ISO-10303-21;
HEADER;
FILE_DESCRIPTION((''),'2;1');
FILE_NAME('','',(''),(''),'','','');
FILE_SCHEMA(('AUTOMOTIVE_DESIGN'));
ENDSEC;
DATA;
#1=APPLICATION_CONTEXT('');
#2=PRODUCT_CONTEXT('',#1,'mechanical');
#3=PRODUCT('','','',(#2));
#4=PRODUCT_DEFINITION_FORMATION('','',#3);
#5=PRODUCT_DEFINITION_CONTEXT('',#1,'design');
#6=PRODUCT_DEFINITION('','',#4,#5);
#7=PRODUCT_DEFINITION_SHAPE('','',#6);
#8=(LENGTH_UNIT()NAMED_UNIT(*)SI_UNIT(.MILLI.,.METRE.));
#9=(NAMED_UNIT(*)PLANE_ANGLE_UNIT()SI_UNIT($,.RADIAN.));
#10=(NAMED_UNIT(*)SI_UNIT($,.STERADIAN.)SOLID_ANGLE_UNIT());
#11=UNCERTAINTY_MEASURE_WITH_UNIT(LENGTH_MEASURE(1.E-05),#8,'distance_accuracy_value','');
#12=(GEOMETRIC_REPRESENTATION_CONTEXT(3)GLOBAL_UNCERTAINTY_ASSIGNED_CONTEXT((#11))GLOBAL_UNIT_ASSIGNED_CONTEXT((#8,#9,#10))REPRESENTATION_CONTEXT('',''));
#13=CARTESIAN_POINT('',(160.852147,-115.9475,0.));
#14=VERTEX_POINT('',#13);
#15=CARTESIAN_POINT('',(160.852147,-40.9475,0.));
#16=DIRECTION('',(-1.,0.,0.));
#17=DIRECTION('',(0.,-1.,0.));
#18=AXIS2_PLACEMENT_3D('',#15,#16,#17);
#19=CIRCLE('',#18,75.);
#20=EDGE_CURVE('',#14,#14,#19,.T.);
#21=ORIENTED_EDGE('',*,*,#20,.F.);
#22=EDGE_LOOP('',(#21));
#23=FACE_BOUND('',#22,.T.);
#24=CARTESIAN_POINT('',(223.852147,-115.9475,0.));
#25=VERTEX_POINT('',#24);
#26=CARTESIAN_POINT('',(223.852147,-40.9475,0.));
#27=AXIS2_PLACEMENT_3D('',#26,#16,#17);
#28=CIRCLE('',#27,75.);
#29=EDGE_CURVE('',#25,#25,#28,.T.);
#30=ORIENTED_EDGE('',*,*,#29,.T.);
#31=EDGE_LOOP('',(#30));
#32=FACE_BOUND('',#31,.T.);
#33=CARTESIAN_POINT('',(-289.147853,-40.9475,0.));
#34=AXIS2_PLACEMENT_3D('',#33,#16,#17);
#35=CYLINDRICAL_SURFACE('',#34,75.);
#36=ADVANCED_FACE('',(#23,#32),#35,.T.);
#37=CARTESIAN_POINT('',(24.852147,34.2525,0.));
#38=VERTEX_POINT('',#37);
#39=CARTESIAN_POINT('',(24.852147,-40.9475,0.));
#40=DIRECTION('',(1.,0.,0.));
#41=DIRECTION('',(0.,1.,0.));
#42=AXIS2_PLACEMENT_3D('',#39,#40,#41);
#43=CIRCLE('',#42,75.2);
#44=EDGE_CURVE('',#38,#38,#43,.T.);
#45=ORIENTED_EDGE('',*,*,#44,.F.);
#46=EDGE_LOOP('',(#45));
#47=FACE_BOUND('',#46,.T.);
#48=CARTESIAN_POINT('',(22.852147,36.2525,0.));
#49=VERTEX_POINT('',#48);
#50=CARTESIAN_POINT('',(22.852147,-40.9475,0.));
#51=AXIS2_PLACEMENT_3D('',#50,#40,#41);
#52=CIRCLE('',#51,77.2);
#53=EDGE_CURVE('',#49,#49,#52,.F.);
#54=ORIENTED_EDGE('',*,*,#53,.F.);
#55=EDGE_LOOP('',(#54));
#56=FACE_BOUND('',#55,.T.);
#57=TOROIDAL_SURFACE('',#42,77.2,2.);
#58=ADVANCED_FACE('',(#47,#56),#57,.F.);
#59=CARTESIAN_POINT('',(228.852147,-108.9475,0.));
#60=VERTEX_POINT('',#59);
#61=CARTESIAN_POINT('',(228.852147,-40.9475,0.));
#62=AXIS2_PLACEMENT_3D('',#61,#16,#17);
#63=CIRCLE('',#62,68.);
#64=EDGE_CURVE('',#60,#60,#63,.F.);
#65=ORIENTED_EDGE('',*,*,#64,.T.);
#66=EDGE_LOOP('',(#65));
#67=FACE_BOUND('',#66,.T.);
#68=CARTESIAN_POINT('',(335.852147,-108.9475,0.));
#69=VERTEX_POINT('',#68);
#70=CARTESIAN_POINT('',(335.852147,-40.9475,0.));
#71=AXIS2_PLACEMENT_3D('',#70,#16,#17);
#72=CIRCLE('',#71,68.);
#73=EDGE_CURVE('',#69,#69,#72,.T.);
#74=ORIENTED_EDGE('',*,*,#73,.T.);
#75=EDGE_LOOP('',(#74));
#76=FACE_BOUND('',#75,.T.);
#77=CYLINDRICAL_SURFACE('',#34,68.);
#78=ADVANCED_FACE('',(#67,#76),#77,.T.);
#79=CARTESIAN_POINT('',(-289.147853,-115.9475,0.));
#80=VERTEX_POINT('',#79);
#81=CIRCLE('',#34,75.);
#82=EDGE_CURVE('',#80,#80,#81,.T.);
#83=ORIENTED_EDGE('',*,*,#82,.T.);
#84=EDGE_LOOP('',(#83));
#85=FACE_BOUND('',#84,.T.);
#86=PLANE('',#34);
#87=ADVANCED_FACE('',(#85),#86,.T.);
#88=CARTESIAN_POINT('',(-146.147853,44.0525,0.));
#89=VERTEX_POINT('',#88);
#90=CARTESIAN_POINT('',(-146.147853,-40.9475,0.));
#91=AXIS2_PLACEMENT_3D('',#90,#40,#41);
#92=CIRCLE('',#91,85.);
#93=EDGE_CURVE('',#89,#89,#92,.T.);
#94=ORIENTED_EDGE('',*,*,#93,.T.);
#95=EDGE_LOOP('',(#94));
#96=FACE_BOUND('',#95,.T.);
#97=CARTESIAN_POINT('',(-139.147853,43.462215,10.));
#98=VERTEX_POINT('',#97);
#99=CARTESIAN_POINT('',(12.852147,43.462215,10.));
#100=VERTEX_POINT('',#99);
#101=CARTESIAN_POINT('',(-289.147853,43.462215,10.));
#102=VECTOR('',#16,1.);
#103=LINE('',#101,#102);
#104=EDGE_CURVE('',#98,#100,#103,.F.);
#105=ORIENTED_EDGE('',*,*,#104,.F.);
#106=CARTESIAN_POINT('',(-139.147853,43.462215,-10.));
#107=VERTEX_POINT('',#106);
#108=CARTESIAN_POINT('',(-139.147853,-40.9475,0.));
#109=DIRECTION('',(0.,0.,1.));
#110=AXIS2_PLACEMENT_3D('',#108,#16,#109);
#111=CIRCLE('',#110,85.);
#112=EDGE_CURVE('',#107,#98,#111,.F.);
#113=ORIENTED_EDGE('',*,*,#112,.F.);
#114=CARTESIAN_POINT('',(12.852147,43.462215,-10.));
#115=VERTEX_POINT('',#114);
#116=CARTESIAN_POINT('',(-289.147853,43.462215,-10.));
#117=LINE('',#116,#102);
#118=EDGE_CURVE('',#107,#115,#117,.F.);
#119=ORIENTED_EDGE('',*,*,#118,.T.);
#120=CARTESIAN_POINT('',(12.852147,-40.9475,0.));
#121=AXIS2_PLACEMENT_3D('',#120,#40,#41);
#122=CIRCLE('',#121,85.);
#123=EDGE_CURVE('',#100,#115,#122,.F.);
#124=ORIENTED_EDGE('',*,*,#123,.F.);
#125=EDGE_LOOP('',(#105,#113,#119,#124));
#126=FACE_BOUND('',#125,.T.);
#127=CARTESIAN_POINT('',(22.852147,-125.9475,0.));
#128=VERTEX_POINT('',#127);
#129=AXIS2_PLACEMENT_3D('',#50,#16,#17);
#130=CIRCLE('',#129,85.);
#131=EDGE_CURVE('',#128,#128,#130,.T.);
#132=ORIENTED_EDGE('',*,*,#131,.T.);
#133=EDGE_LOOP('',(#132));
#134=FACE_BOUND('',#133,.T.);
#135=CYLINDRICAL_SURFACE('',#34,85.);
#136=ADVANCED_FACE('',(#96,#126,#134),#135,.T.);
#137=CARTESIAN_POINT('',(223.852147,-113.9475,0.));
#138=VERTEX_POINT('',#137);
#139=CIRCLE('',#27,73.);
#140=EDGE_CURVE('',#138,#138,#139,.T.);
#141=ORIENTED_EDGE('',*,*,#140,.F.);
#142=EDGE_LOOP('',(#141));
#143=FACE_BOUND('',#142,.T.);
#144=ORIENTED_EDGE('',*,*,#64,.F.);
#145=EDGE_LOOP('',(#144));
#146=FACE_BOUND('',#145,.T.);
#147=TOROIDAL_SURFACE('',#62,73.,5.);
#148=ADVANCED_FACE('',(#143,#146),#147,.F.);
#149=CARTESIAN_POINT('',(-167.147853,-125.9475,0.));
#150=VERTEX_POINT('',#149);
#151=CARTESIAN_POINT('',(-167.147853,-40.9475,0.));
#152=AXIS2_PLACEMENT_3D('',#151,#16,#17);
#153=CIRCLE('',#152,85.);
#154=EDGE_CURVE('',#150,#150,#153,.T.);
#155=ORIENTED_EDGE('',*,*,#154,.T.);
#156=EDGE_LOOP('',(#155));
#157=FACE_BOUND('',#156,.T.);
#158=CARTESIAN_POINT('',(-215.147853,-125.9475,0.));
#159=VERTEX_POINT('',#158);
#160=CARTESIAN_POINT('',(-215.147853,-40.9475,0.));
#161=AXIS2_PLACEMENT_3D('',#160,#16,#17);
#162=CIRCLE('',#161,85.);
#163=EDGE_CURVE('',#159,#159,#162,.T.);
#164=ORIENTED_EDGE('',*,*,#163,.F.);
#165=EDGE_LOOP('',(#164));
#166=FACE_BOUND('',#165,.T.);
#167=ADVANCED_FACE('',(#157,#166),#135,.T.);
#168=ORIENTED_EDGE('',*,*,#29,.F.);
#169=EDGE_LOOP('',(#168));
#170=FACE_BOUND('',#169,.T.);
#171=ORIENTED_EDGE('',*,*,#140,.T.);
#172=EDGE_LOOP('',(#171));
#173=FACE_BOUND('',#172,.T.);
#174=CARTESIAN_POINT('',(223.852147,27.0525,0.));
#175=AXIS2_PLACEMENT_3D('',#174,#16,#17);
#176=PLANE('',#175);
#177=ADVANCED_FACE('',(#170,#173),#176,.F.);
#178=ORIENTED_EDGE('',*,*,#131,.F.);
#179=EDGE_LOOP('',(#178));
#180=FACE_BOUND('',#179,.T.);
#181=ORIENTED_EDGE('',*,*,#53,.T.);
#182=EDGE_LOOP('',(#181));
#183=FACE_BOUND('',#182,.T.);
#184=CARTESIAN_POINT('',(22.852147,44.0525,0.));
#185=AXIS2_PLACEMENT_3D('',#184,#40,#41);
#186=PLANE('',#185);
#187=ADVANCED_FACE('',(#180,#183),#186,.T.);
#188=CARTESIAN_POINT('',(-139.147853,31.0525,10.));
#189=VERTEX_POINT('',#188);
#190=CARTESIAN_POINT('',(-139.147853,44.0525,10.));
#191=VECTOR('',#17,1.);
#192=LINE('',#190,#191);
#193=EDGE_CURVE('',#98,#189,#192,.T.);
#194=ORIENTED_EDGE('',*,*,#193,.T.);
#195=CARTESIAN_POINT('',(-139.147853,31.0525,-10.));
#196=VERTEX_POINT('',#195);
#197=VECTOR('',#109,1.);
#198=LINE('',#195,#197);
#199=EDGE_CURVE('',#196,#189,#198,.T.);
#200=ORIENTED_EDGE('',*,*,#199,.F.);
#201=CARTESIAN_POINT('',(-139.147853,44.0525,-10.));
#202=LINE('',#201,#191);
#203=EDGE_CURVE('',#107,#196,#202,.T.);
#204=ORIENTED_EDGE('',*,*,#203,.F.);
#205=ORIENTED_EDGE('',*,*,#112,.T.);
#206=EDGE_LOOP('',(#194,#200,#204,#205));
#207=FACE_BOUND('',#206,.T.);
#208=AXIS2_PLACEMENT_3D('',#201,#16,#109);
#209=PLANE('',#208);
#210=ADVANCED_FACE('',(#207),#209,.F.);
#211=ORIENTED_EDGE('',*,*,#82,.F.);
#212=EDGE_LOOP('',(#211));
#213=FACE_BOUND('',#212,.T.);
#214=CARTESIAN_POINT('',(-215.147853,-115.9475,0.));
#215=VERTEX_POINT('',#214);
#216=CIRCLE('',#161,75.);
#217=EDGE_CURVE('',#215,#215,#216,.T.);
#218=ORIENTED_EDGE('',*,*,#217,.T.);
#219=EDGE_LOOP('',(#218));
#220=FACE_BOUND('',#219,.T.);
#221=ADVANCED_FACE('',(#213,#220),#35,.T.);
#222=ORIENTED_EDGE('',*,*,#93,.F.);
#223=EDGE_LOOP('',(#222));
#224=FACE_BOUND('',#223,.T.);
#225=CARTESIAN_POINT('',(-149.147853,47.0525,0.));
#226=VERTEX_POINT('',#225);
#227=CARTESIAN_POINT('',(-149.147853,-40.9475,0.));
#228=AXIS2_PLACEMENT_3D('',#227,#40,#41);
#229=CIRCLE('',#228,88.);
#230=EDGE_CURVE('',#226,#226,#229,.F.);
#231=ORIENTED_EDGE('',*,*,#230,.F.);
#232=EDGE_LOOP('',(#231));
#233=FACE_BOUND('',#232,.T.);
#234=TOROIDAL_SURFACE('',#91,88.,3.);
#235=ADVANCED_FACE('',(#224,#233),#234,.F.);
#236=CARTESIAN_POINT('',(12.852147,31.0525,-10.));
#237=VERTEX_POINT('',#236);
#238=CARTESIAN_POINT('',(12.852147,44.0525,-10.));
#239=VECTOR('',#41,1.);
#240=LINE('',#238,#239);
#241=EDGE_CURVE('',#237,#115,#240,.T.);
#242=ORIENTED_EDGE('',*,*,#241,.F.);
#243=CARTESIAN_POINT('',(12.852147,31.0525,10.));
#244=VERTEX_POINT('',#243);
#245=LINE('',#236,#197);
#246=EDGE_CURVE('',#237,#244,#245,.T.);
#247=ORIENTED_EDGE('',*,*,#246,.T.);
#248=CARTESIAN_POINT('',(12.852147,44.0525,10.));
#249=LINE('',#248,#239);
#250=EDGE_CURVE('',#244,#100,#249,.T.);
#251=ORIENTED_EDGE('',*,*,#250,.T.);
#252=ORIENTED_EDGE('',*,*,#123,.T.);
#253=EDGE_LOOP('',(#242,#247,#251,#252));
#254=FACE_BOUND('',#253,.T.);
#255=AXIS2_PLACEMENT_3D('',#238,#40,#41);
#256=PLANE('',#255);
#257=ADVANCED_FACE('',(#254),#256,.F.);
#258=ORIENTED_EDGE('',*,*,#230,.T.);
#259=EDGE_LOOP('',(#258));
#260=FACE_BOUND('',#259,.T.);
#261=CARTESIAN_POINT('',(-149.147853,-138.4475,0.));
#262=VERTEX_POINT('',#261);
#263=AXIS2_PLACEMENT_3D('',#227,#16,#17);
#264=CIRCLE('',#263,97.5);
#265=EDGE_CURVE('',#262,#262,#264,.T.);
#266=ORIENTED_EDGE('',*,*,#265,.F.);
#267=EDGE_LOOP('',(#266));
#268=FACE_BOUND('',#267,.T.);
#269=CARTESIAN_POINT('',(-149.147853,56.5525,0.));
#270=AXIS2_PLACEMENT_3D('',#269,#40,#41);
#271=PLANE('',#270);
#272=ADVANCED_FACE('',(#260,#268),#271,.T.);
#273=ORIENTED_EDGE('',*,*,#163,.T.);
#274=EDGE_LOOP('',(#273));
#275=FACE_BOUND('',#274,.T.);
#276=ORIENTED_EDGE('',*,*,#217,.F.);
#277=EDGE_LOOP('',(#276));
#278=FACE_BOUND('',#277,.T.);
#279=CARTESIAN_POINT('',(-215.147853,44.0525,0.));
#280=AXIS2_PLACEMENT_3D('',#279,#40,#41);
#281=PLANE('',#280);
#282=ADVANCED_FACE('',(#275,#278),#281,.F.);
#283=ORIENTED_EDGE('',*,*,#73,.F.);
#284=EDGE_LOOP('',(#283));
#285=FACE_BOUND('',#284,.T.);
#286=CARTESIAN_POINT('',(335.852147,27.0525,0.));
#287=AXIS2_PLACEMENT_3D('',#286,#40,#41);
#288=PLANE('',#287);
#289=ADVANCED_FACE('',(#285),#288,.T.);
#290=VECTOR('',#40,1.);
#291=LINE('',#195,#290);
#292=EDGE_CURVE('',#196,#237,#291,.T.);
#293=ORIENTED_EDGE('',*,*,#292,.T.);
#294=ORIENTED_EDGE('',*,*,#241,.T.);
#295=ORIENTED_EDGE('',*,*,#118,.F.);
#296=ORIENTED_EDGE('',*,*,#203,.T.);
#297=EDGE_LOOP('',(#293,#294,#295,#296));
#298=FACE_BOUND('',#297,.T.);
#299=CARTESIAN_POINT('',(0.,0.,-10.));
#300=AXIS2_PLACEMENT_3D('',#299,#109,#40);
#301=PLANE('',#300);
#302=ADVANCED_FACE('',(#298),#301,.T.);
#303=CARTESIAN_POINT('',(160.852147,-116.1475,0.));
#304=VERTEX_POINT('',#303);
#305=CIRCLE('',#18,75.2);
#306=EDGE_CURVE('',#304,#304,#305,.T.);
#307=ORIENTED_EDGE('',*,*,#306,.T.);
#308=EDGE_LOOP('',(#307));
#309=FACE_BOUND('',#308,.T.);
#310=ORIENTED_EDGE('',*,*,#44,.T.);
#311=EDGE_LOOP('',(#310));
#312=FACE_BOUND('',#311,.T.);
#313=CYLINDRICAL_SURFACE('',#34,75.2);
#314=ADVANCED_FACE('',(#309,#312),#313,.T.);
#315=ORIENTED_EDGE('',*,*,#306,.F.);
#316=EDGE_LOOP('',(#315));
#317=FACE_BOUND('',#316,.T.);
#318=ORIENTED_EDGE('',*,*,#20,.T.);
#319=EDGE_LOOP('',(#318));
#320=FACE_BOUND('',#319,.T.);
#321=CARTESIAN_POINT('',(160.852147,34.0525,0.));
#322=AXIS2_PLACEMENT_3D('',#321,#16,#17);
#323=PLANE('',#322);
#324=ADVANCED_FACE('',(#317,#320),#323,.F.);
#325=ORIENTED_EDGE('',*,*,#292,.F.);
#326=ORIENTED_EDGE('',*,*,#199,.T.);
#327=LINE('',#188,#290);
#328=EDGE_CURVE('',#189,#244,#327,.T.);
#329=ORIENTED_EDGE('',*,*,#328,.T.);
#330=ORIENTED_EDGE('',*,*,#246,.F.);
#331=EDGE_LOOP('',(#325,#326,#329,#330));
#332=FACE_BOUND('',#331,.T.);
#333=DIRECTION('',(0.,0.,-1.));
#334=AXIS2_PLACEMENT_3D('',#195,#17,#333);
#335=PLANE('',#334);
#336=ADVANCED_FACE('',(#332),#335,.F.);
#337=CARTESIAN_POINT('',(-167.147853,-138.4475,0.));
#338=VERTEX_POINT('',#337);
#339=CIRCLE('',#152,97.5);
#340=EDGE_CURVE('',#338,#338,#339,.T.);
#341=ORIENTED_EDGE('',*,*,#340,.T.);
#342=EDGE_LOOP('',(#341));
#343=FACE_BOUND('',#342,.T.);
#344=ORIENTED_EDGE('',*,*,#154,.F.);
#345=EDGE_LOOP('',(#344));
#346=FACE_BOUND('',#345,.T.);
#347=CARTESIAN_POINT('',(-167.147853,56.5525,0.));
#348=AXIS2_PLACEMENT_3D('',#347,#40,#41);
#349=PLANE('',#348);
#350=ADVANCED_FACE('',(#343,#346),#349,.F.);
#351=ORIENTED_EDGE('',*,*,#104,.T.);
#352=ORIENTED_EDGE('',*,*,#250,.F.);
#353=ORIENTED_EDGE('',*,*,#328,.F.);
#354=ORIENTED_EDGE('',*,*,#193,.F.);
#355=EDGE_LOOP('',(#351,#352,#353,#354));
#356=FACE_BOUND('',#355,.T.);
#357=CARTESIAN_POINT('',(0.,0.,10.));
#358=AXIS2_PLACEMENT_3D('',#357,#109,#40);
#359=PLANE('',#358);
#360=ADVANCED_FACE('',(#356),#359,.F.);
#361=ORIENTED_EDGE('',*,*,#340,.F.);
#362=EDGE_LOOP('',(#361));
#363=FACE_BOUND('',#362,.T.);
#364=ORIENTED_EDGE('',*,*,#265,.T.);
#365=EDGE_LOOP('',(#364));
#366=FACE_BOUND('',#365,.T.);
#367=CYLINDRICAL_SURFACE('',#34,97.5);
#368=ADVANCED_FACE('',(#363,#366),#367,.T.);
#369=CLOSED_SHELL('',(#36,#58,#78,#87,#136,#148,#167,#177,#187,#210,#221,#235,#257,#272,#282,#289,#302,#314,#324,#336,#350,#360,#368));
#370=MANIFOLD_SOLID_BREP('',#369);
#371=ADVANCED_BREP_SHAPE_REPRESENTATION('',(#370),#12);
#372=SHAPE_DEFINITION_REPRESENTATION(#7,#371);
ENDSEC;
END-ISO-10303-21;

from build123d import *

# Parameters (mm, degrees)
FILLET1_R          = 3
FILLET2_R          = 2
FILLET3_R          = 5
SKETCH2_W          = 152
SKETCH2_H          = 13
CUT_EXTRUDE2_DEPTH = 10


with BuildPart() as part:
    # Sketch1 → Revolve1 (revolve)
    with BuildSketch(Plane.XY, mode=Mode.PRIVATE) as revolve1_sk:
        Polygon((-289.147853111, -40.947499885), (335.852146889, -40.947499885), (335.852146889, 27.052500115), (223.852146889, 27.052500115), (223.852146889, 34.052500115), (160.852146889, 34.052500115), (160.852146889, 34.252500115), (22.852146889, 34.252500115), (22.852146889, 44.052500115), (-149.147853111, 44.052500115), (-149.147853111, 56.552500115), (-167.147853111, 56.552500115), (-167.147853111, 44.052500115), (-215.147853111, 44.052500115), (-215.147853111, 34.052500115), (-289.147853111, 34.052500115), align=None)
    revolve(revolve1_sk.sketch.rotate(Axis((-289.147853111, -40.947499885, 0), (1, 0, 0)), 180), axis=Axis((-289.147853111, -40.947499885, 0), (1, 0, 0)))

    # Fillet1
    fillet1_edges = [part.edges().sort_by_distance(p)[0] for p in [
        (-149.147853111, 44.052500115, 0),
    ]]
    fillet(fillet1_edges, radius=FILLET1_R)

    # Fillet2
    fillet2_edges = [part.edges().sort_by_distance(p)[0] for p in [
        (22.852146889, 34.252500115, 0),
    ]]
    fillet(fillet2_edges, radius=FILLET2_R)

    # Fillet3
    fillet3_edges = [part.edges().sort_by_distance(p)[0] for p in [
        (223.852146889, 27.052500115, 0),
    ]]
    fillet(fillet3_edges, radius=FILLET3_R)

    # Sketch2 → Cut-Extrude2 (cut, symmetric)
    with BuildSketch(Plane.XY):
        with Locations((-63.147853111, 37.552500115)):
            Rectangle(SKETCH2_W, SKETCH2_H)
    extrude(amount=CUT_EXTRUDE2_DEPTH, both=True, mode=Mode.SUBTRACT)


solid = part.part
